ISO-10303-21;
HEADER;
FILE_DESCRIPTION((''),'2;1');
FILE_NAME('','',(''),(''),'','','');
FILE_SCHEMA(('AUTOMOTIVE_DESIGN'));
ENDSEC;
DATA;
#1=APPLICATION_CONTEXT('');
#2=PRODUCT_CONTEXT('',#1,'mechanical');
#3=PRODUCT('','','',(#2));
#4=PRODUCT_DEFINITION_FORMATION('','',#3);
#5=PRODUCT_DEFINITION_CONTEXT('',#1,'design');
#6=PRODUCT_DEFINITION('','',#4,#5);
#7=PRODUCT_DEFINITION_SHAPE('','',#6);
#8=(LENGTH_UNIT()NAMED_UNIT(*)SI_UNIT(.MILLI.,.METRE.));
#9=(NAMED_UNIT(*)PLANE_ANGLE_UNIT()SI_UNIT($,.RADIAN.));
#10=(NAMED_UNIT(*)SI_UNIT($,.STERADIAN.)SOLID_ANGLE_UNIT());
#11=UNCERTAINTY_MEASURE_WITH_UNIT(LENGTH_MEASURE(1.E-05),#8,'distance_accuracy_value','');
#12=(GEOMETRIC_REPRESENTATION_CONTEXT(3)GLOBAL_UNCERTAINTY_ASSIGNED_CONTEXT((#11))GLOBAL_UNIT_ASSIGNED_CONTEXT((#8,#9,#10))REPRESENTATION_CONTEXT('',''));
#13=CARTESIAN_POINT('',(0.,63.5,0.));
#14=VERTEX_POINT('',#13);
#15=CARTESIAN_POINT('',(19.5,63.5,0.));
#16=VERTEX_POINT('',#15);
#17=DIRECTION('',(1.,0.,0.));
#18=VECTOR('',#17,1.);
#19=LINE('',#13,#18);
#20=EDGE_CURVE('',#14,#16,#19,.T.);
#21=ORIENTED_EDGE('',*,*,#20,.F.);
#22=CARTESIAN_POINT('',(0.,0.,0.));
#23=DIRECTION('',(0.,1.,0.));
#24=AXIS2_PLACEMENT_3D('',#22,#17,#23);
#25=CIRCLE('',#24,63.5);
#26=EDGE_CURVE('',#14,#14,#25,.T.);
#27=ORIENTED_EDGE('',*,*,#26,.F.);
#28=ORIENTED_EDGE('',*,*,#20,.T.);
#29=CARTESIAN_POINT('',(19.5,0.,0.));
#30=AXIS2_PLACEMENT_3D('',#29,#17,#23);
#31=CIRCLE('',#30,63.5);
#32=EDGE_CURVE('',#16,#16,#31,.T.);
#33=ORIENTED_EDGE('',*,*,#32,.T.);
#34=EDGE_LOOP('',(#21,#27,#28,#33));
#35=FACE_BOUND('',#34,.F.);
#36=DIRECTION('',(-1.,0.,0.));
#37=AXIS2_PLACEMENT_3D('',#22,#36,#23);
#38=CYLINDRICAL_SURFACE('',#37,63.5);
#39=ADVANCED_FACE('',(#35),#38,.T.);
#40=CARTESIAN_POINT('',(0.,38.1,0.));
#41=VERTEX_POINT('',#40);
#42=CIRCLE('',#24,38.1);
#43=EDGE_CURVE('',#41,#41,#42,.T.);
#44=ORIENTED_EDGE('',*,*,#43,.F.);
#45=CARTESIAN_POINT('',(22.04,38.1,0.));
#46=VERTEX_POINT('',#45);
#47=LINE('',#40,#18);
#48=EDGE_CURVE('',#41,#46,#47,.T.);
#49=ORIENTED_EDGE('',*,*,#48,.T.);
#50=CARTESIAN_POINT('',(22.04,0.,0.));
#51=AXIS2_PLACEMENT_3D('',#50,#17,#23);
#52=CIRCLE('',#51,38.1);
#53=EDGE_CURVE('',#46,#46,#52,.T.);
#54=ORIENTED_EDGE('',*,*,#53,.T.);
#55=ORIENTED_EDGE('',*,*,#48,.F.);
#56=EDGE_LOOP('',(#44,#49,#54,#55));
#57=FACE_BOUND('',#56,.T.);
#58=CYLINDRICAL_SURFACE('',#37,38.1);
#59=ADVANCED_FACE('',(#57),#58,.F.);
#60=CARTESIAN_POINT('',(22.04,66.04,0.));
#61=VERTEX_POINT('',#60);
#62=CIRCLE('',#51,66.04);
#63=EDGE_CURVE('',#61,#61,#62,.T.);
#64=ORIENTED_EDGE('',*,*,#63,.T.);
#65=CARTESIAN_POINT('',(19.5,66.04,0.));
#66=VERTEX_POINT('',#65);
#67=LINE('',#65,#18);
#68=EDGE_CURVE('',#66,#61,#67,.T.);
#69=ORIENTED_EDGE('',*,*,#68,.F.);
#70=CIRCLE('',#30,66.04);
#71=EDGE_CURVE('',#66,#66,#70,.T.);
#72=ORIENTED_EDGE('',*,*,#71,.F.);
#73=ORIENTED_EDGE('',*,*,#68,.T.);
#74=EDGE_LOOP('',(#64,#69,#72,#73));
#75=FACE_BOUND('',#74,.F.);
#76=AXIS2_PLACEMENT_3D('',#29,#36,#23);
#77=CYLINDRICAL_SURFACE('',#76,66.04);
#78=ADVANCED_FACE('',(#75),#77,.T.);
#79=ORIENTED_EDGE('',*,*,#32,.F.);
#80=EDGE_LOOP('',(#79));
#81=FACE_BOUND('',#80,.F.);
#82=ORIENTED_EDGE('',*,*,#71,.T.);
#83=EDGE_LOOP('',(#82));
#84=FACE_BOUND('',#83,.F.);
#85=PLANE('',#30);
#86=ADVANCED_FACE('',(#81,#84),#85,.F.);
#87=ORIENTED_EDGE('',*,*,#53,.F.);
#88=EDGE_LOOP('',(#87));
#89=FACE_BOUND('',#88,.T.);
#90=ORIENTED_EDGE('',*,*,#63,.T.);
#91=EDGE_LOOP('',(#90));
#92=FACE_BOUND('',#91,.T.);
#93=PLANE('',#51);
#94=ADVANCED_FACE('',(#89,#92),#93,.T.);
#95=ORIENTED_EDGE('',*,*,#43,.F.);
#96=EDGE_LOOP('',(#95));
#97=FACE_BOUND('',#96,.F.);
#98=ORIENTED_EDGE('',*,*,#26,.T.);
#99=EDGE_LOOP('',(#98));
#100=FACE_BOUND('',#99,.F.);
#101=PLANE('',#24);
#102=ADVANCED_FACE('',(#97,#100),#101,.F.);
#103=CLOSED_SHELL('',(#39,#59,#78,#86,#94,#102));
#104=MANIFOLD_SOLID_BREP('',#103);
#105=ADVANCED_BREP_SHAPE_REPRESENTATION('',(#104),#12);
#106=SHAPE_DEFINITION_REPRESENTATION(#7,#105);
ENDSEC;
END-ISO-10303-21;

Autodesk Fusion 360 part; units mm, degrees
sketch "Sketch1" plane through (0, 0, 0) normal (1, 0, 0) x (0, 1, 0)
  circle A0 centre (0, 0) radius 63.5
  circle A1 centre (0, 0) radius 38.1
  dimension "d1" = 127
  dimension "d2" = 76.2
extrude "Extrude1" add sketch "Sketch1" along normal blind 19.5
sketch "Sketch2" plane through (19.5, 0, 0) normal (1, 0, 0) x (0, 1, 0)
  circle A0 centre (0, 0) radius 38.1
  circle A1 centre (0, 0) radius 63.5
  circle A2 centre (0, 0) radius 66.04
  dimension "d5" = 2.54
extrude "Extrude2" add sketch "Sketch2" along normal blind 2.54 contours A1 | A2
sketch "Sketch3" plane through (22.04, 0, 0) normal (1, 0, 0) x (0, 1, 0)
  circle A0 centre (0, 0) radius 38.1
  circle A1 centre (0, 0) radius 66.04
